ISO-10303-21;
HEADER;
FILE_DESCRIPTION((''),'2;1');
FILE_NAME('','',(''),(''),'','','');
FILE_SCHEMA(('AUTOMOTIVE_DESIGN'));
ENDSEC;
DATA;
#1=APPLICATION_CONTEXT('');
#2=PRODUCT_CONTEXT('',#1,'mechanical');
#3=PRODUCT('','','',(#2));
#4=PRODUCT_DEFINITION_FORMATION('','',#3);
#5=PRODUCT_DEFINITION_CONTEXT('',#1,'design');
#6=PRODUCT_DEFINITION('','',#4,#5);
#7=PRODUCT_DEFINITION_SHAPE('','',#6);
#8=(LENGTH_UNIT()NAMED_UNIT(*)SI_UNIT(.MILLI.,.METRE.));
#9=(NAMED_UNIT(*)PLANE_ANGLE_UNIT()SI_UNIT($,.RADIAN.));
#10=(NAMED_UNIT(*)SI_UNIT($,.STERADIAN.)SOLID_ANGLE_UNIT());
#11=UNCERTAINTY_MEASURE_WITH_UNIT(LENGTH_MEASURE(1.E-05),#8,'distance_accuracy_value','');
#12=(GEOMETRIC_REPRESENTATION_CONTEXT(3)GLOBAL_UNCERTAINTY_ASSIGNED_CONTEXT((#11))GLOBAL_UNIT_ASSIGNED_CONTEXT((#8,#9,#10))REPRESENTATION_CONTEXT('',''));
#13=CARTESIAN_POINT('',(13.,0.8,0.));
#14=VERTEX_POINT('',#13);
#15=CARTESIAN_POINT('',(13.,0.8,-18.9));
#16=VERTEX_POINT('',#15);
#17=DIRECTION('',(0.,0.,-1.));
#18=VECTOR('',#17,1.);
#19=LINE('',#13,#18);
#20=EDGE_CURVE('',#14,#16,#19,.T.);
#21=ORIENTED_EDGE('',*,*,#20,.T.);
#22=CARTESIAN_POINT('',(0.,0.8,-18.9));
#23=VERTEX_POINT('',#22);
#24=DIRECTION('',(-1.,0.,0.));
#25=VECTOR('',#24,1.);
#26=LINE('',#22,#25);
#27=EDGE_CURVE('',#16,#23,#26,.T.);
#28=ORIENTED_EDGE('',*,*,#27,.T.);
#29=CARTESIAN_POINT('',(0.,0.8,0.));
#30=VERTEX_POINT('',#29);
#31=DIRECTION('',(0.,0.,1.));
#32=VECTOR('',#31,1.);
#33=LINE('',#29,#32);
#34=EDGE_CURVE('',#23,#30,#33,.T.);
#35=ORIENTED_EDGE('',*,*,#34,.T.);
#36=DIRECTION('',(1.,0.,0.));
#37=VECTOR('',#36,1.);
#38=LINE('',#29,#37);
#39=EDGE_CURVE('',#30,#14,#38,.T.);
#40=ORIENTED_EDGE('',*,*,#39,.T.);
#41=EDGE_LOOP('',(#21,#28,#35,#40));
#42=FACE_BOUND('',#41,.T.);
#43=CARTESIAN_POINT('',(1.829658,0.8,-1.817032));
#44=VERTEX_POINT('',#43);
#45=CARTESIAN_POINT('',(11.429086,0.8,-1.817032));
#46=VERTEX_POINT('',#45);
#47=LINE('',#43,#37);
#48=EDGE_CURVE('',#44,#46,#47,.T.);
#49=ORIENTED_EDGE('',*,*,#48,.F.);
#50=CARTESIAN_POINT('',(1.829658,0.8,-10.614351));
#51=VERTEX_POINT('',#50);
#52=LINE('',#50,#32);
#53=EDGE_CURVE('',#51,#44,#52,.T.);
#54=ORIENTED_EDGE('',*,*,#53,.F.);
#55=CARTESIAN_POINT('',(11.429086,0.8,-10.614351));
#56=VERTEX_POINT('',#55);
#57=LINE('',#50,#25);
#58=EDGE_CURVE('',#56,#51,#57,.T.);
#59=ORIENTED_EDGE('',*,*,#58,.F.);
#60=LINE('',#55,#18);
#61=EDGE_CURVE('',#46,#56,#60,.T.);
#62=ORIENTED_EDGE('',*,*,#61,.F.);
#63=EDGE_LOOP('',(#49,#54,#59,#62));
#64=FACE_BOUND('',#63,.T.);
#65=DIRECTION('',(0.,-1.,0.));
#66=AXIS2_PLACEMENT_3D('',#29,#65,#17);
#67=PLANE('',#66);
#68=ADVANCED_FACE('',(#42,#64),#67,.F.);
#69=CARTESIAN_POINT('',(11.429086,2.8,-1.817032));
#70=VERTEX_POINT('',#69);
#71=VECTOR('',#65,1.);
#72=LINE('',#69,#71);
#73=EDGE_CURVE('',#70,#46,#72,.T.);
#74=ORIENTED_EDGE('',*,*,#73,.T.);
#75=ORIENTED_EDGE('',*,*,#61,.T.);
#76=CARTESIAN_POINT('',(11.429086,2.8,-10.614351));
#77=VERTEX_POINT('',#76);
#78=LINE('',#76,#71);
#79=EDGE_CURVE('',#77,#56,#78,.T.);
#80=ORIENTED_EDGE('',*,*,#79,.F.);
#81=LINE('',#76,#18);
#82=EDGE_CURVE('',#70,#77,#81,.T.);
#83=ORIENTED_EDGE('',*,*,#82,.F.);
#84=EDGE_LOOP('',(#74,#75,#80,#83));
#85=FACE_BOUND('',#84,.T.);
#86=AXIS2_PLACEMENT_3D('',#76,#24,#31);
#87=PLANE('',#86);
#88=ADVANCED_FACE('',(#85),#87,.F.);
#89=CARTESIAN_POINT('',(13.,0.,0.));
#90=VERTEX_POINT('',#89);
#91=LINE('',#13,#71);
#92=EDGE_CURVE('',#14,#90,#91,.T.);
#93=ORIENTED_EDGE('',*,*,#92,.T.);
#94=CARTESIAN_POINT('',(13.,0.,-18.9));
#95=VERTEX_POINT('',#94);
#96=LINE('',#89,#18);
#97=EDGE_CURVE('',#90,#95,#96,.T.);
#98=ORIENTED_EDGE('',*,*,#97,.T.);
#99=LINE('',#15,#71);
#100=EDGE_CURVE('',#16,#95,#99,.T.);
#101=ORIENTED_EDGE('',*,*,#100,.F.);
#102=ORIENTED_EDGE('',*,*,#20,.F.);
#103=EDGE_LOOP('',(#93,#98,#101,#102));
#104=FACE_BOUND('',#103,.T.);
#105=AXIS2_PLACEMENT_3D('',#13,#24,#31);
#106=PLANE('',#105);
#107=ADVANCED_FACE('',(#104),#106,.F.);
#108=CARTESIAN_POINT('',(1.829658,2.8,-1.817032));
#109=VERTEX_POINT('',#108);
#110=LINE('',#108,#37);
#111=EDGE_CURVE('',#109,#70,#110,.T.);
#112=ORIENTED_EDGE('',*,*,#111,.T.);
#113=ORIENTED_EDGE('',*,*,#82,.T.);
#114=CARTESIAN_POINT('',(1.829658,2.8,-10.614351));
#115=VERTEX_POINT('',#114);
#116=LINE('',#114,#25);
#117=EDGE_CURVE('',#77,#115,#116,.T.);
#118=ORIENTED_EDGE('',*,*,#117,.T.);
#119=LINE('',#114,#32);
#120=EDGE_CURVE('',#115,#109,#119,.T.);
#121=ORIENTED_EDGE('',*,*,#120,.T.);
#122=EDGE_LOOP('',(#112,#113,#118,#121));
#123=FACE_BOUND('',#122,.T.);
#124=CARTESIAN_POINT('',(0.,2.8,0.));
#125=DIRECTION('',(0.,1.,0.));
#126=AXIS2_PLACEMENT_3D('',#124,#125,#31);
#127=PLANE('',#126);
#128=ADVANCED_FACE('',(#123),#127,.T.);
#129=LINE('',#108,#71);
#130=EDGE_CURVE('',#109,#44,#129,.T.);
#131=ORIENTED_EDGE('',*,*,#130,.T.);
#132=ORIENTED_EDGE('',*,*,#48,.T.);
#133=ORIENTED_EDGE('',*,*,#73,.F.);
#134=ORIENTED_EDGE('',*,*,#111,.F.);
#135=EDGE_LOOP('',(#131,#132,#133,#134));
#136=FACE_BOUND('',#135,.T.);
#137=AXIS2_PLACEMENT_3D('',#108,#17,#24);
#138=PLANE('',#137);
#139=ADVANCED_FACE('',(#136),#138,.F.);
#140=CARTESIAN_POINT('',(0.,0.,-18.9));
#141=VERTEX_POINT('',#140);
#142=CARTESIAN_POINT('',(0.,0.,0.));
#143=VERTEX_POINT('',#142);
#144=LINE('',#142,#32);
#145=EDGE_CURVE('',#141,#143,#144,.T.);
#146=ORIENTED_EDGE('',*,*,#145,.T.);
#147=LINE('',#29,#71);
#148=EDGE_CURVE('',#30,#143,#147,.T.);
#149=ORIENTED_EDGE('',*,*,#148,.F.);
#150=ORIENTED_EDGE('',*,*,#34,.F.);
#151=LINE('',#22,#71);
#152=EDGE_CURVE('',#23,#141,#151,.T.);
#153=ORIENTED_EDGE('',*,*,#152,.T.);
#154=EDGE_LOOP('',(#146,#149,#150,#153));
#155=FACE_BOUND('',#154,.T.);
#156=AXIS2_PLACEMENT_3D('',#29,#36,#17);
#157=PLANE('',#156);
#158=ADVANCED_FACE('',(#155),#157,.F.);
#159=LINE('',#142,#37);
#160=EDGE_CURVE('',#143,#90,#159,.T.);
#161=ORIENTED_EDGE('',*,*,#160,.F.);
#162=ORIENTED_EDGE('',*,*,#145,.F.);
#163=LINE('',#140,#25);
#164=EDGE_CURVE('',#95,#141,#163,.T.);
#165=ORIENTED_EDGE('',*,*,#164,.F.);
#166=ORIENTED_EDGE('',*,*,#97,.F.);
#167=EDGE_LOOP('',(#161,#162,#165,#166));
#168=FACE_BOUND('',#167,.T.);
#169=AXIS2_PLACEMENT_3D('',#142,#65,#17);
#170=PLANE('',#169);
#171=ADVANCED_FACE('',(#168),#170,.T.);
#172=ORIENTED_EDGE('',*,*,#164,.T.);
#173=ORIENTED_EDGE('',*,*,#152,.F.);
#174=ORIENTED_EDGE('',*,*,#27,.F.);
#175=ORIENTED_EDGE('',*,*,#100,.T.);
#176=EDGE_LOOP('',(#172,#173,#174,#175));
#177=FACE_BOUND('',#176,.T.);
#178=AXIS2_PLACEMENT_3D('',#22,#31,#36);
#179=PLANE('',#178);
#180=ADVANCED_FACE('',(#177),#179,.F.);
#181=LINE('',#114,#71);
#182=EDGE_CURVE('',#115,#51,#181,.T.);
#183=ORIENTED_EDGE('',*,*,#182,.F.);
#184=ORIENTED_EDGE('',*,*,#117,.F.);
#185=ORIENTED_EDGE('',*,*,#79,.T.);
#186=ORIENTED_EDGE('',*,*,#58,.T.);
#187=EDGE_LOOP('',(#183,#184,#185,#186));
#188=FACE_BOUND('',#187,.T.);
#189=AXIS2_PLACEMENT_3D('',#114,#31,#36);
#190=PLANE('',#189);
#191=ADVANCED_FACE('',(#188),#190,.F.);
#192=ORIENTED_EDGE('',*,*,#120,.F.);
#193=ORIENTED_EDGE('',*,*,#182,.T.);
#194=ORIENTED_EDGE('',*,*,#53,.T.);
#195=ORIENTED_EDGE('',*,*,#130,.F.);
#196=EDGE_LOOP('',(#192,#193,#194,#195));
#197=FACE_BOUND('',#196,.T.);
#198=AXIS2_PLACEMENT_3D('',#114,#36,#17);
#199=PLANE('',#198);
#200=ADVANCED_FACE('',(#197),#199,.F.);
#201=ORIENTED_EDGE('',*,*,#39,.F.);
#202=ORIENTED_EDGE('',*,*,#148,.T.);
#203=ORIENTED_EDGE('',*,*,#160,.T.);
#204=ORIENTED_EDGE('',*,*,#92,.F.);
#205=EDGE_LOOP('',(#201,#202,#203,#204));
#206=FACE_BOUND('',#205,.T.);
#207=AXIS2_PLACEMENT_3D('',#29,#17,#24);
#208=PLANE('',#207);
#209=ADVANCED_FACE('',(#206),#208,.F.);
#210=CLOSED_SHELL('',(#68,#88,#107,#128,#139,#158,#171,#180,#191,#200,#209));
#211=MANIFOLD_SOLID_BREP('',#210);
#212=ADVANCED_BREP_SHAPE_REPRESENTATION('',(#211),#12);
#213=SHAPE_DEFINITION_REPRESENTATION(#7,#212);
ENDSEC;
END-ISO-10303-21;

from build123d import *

# Parameters (mm, degrees)
SKETCH1_W           = 13
SKETCH1_H           = 18.9
BOSS_EXTRUDE1_DEPTH = 0.8
SKETCH2_W           = 9.599427918
SKETCH2_H           = 8.797319385
BOSS_EXTRUDE2_DEPTH = 2


with BuildPart() as part:
    # Sketch1 → Boss-Extrude1 (new body)
    with BuildSketch(Plane(origin=(0, 0, 0), x_dir=(1, 0, 0), z_dir=(0, 1, 0))):
        with Locations((6.5, 9.45)):
            Rectangle(SKETCH1_W, SKETCH1_H)
    extrude(amount=BOSS_EXTRUDE1_DEPTH)

    # Sketch2 → Boss-Extrude2 (add)
    with BuildSketch(Plane(origin=(0, 0.8, 0), x_dir=(1, 0, 0), z_dir=(0, 1, 0))):
        with Locations((6.629372344, 6.215691403)):
            Rectangle(SKETCH2_W, SKETCH2_H)
    extrude(amount=BOSS_EXTRUDE2_DEPTH)


solid = part.part
